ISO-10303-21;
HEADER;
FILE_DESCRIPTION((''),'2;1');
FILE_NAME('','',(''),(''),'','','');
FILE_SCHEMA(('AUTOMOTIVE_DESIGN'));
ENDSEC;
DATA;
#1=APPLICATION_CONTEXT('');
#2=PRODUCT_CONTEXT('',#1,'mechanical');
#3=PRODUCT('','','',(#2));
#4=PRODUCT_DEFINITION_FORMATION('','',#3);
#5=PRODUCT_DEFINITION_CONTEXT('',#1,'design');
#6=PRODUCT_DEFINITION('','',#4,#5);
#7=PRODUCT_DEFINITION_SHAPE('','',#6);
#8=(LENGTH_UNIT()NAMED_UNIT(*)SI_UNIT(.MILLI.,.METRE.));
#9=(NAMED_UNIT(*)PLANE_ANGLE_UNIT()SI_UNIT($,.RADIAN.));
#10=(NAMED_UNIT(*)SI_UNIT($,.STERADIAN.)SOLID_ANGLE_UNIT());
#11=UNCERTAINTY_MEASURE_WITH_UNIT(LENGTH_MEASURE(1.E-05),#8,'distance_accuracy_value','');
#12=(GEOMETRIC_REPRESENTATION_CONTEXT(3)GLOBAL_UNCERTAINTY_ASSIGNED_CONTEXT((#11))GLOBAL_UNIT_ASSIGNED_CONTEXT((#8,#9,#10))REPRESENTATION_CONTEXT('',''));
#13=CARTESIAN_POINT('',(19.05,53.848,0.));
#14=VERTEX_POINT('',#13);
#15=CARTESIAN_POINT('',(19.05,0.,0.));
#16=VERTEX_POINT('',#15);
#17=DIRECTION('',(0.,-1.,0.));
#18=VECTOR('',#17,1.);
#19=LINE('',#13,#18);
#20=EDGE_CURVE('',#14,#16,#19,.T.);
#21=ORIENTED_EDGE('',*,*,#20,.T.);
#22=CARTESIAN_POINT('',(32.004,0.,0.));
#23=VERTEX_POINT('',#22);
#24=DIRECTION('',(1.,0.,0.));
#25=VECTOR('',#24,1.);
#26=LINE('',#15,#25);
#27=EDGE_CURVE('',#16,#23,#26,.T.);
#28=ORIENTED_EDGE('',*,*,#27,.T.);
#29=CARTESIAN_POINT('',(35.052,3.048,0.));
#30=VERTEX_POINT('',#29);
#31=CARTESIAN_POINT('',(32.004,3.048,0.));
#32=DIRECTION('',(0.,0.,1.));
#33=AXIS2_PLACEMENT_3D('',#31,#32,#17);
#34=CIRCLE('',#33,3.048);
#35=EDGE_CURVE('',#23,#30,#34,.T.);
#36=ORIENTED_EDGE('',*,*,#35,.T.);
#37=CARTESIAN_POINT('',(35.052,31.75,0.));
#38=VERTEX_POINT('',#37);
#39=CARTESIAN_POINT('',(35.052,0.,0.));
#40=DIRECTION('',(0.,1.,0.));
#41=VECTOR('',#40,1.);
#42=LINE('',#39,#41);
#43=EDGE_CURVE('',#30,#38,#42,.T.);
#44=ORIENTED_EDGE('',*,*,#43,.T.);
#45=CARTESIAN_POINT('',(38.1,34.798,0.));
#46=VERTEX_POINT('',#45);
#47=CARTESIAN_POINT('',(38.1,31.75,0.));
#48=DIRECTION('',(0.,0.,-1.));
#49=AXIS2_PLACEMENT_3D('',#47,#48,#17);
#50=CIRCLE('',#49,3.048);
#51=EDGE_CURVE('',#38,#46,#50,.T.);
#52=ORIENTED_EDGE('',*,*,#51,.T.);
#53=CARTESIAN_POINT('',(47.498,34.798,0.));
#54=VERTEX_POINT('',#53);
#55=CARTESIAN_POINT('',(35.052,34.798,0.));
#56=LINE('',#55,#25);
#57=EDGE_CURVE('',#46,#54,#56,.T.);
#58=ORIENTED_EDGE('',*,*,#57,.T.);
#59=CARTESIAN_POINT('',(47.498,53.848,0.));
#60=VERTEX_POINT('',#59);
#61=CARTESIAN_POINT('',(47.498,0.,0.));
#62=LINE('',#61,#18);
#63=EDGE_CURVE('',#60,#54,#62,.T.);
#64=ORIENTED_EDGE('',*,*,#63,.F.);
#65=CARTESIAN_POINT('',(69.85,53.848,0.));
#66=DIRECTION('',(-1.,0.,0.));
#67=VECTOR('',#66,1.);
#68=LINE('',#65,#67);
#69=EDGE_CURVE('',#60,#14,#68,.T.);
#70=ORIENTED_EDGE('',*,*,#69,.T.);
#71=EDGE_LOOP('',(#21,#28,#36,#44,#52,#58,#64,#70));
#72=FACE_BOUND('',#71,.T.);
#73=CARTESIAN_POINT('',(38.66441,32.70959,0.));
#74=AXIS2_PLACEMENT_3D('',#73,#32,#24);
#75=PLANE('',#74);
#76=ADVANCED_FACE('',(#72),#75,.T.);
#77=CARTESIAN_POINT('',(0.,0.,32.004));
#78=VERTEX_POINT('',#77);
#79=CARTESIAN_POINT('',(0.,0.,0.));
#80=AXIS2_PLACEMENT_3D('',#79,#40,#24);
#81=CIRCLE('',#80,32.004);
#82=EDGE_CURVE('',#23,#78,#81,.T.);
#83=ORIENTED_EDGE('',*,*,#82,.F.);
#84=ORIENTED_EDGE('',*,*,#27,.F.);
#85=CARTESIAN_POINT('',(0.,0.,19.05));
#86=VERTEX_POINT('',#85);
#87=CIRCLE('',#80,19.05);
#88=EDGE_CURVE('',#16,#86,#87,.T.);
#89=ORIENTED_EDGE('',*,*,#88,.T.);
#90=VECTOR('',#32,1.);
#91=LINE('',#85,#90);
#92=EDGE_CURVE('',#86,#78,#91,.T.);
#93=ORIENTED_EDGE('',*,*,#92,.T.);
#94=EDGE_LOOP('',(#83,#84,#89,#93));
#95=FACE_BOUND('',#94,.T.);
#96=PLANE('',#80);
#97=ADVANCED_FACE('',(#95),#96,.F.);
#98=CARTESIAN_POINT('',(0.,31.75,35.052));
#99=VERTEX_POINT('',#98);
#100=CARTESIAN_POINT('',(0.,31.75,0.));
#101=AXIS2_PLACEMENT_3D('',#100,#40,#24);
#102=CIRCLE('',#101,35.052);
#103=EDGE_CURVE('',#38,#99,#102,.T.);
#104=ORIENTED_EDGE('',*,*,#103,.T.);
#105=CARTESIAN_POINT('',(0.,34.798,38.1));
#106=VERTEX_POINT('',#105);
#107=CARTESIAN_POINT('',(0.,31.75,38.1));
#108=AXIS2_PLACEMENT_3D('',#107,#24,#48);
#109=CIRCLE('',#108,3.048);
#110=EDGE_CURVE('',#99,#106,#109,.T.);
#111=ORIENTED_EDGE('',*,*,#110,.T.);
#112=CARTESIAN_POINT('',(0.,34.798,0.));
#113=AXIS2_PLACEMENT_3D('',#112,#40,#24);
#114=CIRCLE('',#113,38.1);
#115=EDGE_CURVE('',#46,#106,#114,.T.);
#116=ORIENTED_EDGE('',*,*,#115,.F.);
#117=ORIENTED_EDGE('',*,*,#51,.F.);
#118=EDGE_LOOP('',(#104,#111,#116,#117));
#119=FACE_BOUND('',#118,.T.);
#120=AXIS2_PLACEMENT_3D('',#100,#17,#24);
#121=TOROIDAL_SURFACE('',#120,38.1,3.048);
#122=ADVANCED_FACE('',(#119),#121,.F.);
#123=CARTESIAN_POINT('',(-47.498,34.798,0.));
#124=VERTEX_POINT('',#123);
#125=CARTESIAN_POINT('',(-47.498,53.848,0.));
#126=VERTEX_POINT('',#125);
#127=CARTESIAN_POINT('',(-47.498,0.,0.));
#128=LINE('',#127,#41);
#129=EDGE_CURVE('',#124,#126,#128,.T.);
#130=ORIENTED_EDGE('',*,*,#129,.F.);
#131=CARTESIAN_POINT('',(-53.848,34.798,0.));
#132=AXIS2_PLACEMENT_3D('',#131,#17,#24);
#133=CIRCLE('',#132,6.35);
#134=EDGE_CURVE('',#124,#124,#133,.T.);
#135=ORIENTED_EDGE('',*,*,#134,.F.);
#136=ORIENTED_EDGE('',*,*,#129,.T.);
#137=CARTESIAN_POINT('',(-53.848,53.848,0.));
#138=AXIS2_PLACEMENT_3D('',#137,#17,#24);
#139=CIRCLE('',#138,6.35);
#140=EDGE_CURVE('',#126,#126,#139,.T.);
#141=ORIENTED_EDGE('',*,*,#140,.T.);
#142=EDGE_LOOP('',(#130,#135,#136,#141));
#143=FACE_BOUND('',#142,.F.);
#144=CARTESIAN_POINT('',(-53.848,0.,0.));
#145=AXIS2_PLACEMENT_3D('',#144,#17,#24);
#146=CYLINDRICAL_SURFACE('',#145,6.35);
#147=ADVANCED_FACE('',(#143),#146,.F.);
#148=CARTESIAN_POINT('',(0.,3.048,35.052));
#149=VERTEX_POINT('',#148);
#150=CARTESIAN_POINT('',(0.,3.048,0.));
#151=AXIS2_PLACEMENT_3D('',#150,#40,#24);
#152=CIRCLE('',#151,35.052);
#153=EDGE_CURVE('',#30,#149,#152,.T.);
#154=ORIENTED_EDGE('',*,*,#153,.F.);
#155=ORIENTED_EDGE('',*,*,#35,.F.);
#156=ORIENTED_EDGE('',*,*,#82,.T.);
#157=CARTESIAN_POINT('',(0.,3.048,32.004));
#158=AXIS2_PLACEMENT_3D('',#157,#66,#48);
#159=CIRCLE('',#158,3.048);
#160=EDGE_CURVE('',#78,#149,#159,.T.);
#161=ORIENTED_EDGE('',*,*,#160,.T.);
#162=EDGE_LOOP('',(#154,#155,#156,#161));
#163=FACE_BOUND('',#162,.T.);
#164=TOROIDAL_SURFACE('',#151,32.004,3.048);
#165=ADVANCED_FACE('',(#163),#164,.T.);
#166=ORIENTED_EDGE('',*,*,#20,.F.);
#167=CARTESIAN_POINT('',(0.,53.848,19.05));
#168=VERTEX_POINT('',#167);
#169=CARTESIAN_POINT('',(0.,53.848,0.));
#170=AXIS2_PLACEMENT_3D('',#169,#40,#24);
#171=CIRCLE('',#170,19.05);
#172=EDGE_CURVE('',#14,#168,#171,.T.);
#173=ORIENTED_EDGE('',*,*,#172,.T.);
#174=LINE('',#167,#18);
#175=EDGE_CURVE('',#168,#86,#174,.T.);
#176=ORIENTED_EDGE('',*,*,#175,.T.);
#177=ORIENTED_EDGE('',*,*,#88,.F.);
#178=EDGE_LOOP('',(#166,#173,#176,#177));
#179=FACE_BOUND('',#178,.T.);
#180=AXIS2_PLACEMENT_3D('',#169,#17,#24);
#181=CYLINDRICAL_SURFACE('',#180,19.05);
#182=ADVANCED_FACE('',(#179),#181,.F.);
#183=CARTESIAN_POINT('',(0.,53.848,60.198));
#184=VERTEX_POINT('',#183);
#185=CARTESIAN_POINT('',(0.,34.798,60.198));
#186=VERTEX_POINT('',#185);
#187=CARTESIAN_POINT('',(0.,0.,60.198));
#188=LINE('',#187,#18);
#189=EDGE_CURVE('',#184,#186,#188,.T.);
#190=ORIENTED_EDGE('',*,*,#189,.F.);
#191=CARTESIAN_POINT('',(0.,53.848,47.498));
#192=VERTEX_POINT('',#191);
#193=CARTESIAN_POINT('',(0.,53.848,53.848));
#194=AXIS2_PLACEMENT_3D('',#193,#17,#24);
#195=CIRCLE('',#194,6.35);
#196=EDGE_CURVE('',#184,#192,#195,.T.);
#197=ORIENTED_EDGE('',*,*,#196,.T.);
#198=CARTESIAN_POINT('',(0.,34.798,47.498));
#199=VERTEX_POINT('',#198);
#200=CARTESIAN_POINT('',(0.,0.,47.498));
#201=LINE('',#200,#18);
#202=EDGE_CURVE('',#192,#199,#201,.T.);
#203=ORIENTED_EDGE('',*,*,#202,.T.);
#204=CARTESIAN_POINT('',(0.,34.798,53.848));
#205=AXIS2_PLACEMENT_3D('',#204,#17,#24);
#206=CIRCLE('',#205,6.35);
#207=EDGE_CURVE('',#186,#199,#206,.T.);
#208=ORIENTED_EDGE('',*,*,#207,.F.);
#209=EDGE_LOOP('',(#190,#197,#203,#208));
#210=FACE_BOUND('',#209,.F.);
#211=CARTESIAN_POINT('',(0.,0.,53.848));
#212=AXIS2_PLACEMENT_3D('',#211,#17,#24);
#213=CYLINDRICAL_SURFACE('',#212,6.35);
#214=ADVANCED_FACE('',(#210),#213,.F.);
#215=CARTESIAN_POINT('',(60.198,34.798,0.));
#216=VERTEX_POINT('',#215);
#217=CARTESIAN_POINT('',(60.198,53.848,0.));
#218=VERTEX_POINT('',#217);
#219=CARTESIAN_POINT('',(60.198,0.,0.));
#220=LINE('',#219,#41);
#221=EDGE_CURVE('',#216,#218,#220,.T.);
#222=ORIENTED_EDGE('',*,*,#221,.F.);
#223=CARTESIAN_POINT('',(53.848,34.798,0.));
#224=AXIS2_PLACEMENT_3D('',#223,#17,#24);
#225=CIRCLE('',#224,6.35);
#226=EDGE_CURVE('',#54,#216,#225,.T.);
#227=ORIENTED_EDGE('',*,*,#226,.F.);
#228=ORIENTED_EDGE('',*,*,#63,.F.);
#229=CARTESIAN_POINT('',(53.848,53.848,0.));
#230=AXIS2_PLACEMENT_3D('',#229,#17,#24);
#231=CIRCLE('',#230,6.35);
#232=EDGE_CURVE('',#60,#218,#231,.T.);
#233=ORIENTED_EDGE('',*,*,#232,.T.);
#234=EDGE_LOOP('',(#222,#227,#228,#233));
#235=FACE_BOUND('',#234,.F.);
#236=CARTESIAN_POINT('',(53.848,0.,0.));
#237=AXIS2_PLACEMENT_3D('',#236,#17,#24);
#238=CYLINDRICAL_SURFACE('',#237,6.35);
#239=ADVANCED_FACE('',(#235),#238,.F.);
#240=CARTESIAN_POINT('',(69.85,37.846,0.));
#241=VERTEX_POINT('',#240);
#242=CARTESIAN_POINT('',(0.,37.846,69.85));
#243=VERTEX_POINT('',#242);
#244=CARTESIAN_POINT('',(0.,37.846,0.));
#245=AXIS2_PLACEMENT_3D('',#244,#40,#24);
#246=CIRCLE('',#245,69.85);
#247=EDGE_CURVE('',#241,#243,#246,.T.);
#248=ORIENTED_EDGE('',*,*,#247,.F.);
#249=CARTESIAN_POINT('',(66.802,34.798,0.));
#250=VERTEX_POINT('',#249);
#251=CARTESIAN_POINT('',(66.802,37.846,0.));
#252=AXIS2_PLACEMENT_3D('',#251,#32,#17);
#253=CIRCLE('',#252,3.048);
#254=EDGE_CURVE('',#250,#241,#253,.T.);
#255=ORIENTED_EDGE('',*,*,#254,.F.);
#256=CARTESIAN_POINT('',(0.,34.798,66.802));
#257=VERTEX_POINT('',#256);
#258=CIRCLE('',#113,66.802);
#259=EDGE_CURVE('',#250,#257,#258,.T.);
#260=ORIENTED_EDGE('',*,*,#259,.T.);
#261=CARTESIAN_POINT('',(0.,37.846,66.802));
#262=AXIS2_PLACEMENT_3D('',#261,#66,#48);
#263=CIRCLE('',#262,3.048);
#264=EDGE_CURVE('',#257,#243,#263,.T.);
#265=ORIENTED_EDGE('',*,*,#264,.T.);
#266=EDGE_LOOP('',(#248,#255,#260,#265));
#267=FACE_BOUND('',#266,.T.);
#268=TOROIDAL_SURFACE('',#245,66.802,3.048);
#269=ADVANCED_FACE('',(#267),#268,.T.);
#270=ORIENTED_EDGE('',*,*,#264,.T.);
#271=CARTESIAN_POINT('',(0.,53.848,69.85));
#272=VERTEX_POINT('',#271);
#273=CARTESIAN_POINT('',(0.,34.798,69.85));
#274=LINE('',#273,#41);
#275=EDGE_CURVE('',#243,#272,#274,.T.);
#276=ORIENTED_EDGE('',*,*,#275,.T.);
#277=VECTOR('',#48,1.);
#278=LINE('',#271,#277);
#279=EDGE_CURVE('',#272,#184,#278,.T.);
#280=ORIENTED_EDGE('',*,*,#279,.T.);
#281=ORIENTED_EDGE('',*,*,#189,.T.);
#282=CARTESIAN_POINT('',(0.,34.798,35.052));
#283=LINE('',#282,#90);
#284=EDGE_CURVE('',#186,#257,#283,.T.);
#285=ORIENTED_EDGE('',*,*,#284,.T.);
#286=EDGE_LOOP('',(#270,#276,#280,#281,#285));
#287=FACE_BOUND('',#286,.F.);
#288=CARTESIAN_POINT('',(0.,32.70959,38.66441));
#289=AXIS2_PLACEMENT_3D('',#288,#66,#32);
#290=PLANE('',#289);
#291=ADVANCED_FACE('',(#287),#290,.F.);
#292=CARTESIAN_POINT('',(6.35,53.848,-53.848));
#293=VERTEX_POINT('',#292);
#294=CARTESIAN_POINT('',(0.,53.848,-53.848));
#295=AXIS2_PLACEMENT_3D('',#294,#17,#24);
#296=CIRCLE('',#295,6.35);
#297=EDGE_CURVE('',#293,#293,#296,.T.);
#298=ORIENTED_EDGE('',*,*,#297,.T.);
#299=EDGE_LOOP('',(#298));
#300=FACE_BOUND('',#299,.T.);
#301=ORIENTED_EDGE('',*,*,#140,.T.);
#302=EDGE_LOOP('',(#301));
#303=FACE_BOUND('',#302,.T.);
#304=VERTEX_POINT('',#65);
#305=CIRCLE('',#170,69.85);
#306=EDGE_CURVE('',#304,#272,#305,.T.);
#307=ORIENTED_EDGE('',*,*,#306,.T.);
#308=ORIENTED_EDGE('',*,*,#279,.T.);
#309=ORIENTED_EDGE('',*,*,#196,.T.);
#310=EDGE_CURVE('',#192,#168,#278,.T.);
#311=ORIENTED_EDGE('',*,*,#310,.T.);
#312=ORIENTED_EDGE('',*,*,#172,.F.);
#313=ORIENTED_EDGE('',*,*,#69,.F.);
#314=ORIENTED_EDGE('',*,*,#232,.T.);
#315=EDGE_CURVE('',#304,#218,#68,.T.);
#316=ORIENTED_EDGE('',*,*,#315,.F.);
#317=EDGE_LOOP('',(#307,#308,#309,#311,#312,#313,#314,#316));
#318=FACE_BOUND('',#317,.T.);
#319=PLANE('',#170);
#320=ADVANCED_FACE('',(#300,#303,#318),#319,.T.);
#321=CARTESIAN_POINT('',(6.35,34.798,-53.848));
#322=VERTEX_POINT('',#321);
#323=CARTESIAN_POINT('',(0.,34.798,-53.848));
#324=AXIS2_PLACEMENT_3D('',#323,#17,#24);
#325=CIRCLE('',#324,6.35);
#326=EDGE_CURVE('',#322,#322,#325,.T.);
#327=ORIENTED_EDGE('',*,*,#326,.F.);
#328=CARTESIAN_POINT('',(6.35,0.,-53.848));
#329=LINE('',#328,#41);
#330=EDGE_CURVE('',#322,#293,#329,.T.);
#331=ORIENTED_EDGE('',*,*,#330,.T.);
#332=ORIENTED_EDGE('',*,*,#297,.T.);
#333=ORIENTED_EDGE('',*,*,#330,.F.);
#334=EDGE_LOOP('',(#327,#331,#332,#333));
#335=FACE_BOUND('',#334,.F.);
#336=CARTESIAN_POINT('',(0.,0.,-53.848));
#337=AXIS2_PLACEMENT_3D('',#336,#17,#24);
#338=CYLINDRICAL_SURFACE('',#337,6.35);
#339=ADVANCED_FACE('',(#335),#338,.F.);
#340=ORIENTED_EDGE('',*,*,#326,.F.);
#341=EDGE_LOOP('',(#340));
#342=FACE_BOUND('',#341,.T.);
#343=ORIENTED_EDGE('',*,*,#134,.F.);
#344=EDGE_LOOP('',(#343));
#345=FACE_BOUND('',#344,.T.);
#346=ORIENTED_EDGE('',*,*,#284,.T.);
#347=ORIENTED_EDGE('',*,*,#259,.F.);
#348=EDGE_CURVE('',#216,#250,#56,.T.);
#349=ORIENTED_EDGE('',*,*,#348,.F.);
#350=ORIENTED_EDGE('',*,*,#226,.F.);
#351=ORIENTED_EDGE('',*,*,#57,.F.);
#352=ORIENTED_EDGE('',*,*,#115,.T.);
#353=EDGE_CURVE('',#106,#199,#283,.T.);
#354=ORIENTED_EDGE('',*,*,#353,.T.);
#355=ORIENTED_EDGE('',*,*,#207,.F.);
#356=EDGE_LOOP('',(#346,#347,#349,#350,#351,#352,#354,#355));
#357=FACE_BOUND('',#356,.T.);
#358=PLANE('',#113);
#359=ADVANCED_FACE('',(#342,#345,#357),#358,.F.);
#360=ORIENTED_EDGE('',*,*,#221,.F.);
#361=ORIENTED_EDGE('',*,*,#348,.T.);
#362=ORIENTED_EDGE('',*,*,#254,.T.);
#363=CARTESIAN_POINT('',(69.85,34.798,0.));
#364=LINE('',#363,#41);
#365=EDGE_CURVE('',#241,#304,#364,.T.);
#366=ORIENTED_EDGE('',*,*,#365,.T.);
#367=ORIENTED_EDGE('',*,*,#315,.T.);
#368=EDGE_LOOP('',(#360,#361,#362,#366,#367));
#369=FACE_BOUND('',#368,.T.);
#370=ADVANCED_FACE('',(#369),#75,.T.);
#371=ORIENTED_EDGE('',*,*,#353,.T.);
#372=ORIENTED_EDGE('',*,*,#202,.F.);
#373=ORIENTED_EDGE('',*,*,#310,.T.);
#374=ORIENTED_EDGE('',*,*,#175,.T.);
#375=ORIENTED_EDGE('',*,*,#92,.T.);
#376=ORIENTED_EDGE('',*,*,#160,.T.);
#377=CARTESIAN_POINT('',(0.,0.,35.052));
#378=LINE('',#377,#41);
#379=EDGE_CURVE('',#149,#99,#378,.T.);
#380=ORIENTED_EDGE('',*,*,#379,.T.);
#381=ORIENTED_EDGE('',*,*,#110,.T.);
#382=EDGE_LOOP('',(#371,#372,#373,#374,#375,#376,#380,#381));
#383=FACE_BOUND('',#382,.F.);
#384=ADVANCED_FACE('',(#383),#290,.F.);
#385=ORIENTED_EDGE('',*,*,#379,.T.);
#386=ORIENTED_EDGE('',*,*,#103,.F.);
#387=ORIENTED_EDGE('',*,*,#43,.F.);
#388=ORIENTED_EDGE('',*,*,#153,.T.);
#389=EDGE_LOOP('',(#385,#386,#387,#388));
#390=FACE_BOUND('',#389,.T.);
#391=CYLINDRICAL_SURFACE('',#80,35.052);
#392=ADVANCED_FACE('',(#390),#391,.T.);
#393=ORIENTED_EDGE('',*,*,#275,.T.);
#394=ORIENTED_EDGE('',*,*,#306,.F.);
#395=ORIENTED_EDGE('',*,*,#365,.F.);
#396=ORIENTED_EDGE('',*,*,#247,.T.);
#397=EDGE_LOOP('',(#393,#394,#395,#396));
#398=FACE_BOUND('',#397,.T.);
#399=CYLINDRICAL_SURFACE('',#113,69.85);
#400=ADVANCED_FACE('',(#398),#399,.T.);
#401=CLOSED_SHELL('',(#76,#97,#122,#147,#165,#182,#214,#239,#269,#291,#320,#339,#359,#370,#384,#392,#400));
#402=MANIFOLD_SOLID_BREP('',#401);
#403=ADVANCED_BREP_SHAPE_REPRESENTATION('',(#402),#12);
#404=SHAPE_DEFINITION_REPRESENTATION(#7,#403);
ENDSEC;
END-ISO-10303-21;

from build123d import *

# Parameters (mm, degrees)
F1_ANGLE = 270
F3_R     = 3.048
F2_R     = 6.35
F4_DEPTH = 53.849


with BuildPart() as f1:
    # F0 (on Top) → F1 (revolve)
    with BuildSketch(Plane.XY):
        Polygon((19.05, 53.848), (19.05, 0), (35.052, 0), (35.052, 34.798), (69.85, 34.798), (69.85, 53.848), align=None)
    revolve(axis=Axis((0, 34.445301, 0), (0, 1, 0)), revolution_arc=F1_ANGLE)

    # F3
    f3_edges = [f1.edges().sort_by_distance(p)[0] for p in [
        (-49.391409, 34.798, -49.391409),
        (-24.785507, 0, -24.785507),
        (-24.785507, 34.798, -24.785507),
    ]]
    fillet(f3_edges, radius=F3_R)

    # F2 (on Front) → F4 (cut, through all)
    with BuildSketch(Plane.XZ):
        with Locations((0, 53.848)):
            Circle(F2_R)
        with Locations((53.848, 0)):
            Circle(F2_R)
        with Locations((0, -53.848)):
            Circle(F2_R)
        with Locations((-53.848, 0)):
            Circle(F2_R)
    extrude(amount=-F4_DEPTH, mode=Mode.SUBTRACT)


solid = f1.part
